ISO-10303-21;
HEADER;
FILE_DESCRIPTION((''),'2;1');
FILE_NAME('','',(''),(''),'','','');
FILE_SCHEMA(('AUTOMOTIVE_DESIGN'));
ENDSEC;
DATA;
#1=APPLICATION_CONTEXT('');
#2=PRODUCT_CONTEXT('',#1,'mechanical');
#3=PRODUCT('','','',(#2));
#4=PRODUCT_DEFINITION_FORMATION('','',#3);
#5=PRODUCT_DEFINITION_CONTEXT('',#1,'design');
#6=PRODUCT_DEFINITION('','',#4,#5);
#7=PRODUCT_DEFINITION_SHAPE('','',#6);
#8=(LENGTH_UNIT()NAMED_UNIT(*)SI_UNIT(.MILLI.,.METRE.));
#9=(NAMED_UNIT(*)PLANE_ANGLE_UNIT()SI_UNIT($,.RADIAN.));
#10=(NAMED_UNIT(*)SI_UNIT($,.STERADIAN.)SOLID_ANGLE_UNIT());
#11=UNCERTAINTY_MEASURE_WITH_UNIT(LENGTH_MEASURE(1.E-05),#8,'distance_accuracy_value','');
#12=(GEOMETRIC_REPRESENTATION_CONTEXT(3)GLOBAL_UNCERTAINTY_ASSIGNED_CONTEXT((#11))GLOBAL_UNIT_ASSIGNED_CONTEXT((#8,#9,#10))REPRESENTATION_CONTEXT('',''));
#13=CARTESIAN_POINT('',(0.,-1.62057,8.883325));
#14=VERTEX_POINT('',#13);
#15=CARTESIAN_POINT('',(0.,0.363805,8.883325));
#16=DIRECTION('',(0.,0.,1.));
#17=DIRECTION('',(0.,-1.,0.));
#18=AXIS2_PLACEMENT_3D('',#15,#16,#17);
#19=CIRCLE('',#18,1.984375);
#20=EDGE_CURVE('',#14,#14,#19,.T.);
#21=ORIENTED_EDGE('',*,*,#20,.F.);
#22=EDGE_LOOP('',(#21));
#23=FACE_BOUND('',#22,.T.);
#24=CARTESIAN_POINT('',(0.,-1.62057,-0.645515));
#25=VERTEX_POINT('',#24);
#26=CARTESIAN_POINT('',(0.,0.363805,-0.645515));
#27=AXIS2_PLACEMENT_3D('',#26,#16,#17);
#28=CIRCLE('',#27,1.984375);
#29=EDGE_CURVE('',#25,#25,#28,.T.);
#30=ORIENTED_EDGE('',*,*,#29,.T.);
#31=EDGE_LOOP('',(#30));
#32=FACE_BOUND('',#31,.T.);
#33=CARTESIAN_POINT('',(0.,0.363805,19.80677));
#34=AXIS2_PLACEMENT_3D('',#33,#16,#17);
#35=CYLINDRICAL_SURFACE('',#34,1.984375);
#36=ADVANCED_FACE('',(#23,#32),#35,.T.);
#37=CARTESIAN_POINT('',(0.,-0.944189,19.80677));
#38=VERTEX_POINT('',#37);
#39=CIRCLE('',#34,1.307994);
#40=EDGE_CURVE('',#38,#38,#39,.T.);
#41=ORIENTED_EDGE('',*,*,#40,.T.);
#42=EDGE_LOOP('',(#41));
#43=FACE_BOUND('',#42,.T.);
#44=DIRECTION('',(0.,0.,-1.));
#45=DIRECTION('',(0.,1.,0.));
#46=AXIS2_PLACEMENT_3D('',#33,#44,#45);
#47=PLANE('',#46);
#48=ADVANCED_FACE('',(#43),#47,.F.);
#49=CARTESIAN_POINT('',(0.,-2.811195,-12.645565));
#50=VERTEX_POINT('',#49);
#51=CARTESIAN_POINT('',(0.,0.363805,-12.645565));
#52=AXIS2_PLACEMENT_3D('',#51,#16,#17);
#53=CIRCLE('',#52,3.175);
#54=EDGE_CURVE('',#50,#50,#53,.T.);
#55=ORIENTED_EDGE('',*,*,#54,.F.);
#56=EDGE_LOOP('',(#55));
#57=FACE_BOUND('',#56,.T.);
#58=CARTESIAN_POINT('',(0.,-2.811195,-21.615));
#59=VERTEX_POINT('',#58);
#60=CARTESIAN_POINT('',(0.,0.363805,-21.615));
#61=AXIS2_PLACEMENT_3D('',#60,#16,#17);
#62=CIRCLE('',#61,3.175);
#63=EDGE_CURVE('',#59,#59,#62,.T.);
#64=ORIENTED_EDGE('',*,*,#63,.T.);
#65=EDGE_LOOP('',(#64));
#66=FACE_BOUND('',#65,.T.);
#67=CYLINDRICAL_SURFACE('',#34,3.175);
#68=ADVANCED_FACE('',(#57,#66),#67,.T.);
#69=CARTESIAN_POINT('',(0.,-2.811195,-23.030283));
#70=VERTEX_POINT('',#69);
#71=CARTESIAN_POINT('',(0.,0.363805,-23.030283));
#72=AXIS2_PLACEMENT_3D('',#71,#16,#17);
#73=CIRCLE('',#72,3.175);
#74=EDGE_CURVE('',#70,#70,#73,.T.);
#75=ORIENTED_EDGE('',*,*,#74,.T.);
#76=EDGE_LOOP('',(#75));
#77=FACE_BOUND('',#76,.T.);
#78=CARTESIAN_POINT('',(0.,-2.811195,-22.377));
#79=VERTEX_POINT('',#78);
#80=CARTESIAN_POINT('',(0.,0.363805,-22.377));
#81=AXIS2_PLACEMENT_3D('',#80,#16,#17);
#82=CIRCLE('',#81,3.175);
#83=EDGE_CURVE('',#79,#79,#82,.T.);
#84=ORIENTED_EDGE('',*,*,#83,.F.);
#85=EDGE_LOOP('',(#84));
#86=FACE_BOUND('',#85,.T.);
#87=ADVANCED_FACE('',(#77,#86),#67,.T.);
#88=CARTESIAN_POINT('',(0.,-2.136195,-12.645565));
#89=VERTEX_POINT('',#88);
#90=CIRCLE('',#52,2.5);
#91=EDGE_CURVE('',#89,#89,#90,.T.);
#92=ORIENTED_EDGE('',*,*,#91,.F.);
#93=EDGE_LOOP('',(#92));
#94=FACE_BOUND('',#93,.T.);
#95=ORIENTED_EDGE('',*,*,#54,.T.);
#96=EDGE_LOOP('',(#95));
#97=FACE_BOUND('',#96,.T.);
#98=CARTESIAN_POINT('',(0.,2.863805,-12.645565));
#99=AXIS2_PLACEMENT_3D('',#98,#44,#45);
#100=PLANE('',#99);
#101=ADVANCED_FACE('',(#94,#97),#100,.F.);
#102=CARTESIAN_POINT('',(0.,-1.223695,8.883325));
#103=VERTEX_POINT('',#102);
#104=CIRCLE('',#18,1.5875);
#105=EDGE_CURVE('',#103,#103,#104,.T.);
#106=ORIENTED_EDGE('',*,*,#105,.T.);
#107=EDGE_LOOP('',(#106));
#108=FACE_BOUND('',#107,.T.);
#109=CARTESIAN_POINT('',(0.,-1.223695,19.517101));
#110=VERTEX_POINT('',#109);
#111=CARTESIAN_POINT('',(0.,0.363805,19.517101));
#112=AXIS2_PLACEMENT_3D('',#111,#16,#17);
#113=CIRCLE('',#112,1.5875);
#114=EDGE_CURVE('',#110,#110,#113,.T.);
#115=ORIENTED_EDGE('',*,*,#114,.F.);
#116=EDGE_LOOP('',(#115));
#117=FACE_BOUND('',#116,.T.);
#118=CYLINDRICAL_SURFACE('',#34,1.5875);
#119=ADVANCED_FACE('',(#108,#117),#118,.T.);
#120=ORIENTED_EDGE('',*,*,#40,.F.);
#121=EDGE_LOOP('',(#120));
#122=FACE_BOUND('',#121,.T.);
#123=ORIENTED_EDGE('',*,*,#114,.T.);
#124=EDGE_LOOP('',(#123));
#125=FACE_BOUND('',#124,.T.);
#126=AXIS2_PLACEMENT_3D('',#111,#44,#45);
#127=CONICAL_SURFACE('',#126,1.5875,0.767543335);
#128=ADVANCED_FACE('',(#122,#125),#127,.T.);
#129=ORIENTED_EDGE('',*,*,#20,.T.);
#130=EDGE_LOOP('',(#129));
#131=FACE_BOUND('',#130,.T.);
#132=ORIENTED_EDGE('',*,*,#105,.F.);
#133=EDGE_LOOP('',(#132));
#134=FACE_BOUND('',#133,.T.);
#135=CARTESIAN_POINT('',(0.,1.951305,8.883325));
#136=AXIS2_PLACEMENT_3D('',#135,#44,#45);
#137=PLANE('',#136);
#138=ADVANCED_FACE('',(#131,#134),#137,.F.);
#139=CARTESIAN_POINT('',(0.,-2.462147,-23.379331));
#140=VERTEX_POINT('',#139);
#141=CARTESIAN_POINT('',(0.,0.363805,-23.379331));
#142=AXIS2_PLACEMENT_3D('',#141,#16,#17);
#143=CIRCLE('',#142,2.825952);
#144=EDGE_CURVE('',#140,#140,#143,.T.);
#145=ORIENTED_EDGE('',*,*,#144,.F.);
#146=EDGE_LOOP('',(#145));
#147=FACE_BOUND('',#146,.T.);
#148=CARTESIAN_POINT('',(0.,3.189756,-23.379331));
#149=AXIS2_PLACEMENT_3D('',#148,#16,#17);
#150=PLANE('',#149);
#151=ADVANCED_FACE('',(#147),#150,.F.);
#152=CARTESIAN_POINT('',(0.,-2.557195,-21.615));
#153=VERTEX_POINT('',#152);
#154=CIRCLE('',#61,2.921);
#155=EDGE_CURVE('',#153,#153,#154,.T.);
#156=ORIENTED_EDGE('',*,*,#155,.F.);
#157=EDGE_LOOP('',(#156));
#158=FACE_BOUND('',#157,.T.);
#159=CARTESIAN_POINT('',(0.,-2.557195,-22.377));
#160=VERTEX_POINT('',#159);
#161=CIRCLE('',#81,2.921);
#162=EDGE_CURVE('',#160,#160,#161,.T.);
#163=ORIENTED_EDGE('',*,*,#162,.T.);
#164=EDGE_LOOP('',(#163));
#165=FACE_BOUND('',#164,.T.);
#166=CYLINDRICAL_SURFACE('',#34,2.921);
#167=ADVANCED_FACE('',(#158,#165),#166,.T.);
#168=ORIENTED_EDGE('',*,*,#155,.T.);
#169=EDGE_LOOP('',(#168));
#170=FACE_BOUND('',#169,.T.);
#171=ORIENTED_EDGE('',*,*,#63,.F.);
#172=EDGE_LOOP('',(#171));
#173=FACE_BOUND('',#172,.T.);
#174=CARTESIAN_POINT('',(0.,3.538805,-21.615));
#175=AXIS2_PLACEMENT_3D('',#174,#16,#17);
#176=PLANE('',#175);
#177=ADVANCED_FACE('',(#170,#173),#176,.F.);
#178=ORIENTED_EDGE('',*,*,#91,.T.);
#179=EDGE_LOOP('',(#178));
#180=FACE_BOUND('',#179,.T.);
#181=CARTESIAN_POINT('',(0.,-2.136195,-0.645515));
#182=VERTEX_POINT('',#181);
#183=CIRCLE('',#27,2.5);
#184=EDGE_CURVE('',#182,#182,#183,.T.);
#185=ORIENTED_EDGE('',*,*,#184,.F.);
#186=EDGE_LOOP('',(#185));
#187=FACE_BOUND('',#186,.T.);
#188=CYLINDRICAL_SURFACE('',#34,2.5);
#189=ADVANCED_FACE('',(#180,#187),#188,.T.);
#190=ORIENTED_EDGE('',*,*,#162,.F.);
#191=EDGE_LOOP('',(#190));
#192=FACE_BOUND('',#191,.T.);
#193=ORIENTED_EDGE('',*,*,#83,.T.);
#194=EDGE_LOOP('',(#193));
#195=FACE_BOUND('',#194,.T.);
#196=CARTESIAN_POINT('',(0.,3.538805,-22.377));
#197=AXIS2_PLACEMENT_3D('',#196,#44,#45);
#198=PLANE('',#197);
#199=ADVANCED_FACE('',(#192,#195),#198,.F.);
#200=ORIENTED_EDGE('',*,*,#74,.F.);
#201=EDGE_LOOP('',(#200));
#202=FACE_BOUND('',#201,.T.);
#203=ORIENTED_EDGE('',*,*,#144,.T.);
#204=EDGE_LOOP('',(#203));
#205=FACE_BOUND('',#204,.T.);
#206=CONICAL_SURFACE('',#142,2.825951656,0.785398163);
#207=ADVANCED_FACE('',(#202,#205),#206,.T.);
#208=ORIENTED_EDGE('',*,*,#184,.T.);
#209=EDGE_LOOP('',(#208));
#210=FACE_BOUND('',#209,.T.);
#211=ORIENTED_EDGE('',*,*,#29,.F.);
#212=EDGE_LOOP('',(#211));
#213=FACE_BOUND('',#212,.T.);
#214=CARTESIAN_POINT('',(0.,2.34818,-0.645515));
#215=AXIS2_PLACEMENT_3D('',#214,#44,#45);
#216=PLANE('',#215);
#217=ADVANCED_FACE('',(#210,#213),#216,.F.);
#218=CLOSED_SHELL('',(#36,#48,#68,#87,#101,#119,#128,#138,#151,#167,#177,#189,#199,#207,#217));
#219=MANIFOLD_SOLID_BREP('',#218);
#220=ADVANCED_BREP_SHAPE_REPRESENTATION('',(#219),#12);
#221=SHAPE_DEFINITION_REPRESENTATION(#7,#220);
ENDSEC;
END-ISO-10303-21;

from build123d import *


with BuildPart() as part:
    # Sketch1 → Revolve1 (revolve)
    with BuildSketch(Plane(origin=(0, 0, 0), x_dir=(0, 0, -1), z_dir=(1, 0, 0)), mode=Mode.PRIVATE) as revolve1_sk:
        Polygon((-19.806770413, 0.363804758), (-19.806770413, 1.671798586), (-19.517100622, 1.951304758), (-8.883324856, 1.951304758), (-8.883324856, 2.348179758), (0.645515012, 2.348179758), (0.645515012, 2.863804758), (12.645565406, 2.863804758), (12.645565406, 3.538804758), (21.614999916, 3.538804758), (21.614999916, 3.284804758), (22.376999916, 3.284804758), (22.376999916, 3.538804758), (23.03028306, 3.538804758), (23.379331404, 3.189756414), (23.379331404, 0.363804758), align=None)
    revolve(revolve1_sk.sketch.rotate(Axis((0, 0.363804758, 19.806770413), (0, 0, -1)), 180), axis=Axis((0, 0.363804758, 19.806770413), (0, 0, -1)))


solid = part.part
